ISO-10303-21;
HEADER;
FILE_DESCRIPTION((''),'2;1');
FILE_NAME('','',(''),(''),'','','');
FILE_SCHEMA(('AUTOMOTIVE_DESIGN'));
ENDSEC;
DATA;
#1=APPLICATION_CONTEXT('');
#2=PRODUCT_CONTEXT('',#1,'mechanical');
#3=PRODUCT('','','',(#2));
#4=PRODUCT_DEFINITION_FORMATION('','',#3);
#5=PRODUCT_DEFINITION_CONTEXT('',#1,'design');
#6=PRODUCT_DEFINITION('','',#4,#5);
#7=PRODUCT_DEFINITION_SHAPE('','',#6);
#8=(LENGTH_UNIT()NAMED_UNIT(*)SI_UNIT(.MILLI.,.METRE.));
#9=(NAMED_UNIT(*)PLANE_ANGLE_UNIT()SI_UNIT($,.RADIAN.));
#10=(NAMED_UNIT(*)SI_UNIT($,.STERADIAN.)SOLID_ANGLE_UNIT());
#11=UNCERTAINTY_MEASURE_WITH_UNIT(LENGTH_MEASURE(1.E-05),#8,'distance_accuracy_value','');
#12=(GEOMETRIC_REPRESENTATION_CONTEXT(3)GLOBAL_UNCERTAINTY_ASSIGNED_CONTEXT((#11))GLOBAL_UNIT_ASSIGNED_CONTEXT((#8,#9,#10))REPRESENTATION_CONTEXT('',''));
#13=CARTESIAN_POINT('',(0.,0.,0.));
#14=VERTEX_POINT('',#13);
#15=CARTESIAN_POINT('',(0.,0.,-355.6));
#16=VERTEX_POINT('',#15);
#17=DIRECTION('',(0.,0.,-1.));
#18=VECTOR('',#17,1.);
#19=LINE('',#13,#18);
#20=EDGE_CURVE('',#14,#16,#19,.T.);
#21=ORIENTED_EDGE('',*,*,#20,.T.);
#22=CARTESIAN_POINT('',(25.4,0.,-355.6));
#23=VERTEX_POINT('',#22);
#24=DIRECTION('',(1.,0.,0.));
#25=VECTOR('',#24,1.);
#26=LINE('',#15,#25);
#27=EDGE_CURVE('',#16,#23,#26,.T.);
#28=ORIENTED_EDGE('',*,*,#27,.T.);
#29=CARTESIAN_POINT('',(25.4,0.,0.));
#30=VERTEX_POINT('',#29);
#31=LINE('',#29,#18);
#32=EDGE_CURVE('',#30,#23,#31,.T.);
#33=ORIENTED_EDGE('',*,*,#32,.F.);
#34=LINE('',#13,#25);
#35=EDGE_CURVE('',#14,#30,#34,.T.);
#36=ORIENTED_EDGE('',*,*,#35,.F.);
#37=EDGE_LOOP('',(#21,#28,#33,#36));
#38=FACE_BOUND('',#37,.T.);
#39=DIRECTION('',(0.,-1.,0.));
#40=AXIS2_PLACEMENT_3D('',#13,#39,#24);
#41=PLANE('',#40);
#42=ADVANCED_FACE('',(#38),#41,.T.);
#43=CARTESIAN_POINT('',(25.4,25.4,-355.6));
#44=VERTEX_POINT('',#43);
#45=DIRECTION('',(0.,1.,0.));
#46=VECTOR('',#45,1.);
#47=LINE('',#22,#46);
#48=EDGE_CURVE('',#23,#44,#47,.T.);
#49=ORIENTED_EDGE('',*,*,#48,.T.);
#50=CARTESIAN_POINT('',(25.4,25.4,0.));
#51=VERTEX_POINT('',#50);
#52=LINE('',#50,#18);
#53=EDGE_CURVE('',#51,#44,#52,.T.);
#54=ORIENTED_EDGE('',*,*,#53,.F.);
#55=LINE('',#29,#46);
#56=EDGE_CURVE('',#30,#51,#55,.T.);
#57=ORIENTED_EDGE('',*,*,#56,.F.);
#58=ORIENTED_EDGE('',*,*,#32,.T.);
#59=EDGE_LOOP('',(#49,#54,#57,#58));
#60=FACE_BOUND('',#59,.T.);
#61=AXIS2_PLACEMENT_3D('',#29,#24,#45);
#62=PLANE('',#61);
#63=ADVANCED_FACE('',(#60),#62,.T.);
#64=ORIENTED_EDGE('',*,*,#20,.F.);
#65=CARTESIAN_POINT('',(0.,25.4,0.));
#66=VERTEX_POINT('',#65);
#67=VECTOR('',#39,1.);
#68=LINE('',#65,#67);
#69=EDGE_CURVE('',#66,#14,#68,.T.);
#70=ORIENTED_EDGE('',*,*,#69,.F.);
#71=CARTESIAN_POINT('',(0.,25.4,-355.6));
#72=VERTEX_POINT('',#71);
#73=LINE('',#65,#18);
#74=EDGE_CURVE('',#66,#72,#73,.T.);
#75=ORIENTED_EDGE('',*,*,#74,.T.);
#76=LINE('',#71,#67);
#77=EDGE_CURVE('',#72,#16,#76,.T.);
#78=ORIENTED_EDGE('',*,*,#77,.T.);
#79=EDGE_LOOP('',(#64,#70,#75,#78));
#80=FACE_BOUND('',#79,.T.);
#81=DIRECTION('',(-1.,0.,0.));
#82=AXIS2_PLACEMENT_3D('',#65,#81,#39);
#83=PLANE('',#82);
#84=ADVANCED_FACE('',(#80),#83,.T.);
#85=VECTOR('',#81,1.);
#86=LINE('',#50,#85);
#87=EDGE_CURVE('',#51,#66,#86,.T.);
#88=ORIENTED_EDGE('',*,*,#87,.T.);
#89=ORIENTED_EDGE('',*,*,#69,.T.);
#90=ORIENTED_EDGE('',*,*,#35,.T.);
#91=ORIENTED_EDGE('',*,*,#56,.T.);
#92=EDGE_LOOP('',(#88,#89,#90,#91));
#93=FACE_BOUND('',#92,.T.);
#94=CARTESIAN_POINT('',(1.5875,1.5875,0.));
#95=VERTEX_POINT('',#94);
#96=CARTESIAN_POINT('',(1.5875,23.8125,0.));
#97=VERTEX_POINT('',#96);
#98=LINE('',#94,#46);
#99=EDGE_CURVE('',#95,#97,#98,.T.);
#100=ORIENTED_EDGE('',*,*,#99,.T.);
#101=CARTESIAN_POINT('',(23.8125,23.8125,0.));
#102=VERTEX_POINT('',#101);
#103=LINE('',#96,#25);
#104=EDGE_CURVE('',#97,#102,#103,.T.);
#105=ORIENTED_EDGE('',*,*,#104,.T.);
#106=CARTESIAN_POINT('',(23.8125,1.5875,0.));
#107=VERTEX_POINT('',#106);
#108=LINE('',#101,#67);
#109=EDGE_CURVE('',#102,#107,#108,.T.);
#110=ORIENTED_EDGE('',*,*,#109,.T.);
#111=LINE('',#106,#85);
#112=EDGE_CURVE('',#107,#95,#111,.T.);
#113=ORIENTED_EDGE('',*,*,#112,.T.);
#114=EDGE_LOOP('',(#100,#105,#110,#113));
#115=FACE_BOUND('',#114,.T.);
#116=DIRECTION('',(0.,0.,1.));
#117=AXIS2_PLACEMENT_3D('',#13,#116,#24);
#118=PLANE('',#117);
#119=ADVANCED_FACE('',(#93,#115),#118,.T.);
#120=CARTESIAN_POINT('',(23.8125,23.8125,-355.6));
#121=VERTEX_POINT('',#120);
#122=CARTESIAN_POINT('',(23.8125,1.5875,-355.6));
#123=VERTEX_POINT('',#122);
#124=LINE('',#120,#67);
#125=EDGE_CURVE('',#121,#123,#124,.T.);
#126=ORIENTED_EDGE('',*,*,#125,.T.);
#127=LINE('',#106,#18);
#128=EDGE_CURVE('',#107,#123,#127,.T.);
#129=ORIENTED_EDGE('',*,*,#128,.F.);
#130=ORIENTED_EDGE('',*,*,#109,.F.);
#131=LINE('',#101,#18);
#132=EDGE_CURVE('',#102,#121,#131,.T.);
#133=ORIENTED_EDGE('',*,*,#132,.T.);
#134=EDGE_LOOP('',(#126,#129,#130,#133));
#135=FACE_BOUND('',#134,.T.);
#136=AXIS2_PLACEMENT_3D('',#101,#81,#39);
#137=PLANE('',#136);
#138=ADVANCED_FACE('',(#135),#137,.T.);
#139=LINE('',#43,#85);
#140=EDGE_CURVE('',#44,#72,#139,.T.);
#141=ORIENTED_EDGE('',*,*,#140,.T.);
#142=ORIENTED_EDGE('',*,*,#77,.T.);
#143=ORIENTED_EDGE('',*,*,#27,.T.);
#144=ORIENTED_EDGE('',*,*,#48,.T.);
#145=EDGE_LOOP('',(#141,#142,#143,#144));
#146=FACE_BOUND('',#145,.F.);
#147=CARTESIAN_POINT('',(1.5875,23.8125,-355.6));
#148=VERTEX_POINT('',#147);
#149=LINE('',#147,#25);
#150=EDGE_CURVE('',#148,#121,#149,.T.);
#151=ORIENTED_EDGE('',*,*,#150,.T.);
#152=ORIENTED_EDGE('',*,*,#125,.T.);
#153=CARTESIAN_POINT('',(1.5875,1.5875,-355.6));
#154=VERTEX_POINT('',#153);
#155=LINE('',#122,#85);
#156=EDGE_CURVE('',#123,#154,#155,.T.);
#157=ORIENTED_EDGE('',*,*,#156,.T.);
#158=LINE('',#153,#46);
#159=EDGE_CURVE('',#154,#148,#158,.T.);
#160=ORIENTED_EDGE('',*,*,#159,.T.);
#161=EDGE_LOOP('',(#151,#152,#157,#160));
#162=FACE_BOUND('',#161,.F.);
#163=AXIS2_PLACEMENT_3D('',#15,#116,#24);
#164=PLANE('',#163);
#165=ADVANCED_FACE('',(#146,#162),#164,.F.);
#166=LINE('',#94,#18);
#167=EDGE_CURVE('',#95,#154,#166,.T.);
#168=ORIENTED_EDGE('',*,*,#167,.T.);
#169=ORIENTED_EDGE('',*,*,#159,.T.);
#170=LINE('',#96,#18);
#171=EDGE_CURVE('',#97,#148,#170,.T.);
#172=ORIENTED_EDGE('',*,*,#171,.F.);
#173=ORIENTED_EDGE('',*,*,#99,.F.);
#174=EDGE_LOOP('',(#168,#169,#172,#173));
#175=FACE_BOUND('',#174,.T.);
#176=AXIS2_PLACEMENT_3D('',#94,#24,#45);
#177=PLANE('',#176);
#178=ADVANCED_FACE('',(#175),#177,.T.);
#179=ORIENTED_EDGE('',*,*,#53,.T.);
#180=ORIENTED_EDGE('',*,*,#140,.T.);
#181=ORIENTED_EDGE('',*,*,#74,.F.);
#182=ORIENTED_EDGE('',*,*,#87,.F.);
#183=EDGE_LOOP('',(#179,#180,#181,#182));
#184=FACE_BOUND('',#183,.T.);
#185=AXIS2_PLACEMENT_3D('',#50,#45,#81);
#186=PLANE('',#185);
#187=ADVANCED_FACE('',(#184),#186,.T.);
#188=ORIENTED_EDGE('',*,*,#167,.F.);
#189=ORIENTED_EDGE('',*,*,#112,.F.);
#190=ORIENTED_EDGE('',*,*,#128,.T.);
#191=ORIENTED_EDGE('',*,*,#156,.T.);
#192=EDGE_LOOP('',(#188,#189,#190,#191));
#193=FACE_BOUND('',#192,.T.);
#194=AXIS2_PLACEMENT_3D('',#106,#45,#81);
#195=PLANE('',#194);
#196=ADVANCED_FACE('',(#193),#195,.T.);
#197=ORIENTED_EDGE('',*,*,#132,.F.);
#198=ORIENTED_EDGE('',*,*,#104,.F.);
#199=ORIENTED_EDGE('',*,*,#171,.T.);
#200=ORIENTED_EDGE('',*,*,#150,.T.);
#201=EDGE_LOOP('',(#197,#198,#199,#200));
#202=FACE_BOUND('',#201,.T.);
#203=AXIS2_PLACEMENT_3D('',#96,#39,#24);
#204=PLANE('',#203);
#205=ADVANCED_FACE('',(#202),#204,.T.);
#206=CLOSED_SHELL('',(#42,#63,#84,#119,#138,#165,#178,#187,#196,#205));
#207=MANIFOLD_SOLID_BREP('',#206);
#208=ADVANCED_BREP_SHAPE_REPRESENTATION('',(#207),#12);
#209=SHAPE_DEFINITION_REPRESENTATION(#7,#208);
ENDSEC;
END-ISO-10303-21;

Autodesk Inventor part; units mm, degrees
ref_plane "YZ Plane" through (0, 0, 0) normal (1, 0, 0) x (0, 1, 0)
ref_plane "XZ Plane" through (0, 0, 0) normal (0, 1, 0) x (-1, 0, 0)
ref_plane "XY Plane" through (0, 0, 0) normal (0, 0, 1) x (1, 0, 0)
sketch "Sketch1" plane through (0, 0, 0) normal (0, 0, 1) x (1, 0, 0)
  line L0 (0, 0) -> (25.4, 0)
  line L1 (25.4, 0) -> (25.4, 25.4)
  line L2 (25.4, 25.4) -> (0, 25.4)
  line L3 (0, 25.4) -> (0, 0)
  line L4 (1.5875, 23.8125) -> (23.8125, 23.8125)
  line L5 (23.8125, 23.8125) -> (23.8125, 1.5875)
  line L6 (23.8125, 1.5875) -> (1.5875, 1.5875)
  line L7 (1.5875, 1.5875) -> (1.5875, 23.8125)
  dimension "d0" = 25.4
  dimension "d1" = 25.4
  dimension "d2" = 1.5875
extrude "Extrusion1" add sketch "Sketch1" against normal blind 355.6
properties part number "1tube_14_layer1_side"
